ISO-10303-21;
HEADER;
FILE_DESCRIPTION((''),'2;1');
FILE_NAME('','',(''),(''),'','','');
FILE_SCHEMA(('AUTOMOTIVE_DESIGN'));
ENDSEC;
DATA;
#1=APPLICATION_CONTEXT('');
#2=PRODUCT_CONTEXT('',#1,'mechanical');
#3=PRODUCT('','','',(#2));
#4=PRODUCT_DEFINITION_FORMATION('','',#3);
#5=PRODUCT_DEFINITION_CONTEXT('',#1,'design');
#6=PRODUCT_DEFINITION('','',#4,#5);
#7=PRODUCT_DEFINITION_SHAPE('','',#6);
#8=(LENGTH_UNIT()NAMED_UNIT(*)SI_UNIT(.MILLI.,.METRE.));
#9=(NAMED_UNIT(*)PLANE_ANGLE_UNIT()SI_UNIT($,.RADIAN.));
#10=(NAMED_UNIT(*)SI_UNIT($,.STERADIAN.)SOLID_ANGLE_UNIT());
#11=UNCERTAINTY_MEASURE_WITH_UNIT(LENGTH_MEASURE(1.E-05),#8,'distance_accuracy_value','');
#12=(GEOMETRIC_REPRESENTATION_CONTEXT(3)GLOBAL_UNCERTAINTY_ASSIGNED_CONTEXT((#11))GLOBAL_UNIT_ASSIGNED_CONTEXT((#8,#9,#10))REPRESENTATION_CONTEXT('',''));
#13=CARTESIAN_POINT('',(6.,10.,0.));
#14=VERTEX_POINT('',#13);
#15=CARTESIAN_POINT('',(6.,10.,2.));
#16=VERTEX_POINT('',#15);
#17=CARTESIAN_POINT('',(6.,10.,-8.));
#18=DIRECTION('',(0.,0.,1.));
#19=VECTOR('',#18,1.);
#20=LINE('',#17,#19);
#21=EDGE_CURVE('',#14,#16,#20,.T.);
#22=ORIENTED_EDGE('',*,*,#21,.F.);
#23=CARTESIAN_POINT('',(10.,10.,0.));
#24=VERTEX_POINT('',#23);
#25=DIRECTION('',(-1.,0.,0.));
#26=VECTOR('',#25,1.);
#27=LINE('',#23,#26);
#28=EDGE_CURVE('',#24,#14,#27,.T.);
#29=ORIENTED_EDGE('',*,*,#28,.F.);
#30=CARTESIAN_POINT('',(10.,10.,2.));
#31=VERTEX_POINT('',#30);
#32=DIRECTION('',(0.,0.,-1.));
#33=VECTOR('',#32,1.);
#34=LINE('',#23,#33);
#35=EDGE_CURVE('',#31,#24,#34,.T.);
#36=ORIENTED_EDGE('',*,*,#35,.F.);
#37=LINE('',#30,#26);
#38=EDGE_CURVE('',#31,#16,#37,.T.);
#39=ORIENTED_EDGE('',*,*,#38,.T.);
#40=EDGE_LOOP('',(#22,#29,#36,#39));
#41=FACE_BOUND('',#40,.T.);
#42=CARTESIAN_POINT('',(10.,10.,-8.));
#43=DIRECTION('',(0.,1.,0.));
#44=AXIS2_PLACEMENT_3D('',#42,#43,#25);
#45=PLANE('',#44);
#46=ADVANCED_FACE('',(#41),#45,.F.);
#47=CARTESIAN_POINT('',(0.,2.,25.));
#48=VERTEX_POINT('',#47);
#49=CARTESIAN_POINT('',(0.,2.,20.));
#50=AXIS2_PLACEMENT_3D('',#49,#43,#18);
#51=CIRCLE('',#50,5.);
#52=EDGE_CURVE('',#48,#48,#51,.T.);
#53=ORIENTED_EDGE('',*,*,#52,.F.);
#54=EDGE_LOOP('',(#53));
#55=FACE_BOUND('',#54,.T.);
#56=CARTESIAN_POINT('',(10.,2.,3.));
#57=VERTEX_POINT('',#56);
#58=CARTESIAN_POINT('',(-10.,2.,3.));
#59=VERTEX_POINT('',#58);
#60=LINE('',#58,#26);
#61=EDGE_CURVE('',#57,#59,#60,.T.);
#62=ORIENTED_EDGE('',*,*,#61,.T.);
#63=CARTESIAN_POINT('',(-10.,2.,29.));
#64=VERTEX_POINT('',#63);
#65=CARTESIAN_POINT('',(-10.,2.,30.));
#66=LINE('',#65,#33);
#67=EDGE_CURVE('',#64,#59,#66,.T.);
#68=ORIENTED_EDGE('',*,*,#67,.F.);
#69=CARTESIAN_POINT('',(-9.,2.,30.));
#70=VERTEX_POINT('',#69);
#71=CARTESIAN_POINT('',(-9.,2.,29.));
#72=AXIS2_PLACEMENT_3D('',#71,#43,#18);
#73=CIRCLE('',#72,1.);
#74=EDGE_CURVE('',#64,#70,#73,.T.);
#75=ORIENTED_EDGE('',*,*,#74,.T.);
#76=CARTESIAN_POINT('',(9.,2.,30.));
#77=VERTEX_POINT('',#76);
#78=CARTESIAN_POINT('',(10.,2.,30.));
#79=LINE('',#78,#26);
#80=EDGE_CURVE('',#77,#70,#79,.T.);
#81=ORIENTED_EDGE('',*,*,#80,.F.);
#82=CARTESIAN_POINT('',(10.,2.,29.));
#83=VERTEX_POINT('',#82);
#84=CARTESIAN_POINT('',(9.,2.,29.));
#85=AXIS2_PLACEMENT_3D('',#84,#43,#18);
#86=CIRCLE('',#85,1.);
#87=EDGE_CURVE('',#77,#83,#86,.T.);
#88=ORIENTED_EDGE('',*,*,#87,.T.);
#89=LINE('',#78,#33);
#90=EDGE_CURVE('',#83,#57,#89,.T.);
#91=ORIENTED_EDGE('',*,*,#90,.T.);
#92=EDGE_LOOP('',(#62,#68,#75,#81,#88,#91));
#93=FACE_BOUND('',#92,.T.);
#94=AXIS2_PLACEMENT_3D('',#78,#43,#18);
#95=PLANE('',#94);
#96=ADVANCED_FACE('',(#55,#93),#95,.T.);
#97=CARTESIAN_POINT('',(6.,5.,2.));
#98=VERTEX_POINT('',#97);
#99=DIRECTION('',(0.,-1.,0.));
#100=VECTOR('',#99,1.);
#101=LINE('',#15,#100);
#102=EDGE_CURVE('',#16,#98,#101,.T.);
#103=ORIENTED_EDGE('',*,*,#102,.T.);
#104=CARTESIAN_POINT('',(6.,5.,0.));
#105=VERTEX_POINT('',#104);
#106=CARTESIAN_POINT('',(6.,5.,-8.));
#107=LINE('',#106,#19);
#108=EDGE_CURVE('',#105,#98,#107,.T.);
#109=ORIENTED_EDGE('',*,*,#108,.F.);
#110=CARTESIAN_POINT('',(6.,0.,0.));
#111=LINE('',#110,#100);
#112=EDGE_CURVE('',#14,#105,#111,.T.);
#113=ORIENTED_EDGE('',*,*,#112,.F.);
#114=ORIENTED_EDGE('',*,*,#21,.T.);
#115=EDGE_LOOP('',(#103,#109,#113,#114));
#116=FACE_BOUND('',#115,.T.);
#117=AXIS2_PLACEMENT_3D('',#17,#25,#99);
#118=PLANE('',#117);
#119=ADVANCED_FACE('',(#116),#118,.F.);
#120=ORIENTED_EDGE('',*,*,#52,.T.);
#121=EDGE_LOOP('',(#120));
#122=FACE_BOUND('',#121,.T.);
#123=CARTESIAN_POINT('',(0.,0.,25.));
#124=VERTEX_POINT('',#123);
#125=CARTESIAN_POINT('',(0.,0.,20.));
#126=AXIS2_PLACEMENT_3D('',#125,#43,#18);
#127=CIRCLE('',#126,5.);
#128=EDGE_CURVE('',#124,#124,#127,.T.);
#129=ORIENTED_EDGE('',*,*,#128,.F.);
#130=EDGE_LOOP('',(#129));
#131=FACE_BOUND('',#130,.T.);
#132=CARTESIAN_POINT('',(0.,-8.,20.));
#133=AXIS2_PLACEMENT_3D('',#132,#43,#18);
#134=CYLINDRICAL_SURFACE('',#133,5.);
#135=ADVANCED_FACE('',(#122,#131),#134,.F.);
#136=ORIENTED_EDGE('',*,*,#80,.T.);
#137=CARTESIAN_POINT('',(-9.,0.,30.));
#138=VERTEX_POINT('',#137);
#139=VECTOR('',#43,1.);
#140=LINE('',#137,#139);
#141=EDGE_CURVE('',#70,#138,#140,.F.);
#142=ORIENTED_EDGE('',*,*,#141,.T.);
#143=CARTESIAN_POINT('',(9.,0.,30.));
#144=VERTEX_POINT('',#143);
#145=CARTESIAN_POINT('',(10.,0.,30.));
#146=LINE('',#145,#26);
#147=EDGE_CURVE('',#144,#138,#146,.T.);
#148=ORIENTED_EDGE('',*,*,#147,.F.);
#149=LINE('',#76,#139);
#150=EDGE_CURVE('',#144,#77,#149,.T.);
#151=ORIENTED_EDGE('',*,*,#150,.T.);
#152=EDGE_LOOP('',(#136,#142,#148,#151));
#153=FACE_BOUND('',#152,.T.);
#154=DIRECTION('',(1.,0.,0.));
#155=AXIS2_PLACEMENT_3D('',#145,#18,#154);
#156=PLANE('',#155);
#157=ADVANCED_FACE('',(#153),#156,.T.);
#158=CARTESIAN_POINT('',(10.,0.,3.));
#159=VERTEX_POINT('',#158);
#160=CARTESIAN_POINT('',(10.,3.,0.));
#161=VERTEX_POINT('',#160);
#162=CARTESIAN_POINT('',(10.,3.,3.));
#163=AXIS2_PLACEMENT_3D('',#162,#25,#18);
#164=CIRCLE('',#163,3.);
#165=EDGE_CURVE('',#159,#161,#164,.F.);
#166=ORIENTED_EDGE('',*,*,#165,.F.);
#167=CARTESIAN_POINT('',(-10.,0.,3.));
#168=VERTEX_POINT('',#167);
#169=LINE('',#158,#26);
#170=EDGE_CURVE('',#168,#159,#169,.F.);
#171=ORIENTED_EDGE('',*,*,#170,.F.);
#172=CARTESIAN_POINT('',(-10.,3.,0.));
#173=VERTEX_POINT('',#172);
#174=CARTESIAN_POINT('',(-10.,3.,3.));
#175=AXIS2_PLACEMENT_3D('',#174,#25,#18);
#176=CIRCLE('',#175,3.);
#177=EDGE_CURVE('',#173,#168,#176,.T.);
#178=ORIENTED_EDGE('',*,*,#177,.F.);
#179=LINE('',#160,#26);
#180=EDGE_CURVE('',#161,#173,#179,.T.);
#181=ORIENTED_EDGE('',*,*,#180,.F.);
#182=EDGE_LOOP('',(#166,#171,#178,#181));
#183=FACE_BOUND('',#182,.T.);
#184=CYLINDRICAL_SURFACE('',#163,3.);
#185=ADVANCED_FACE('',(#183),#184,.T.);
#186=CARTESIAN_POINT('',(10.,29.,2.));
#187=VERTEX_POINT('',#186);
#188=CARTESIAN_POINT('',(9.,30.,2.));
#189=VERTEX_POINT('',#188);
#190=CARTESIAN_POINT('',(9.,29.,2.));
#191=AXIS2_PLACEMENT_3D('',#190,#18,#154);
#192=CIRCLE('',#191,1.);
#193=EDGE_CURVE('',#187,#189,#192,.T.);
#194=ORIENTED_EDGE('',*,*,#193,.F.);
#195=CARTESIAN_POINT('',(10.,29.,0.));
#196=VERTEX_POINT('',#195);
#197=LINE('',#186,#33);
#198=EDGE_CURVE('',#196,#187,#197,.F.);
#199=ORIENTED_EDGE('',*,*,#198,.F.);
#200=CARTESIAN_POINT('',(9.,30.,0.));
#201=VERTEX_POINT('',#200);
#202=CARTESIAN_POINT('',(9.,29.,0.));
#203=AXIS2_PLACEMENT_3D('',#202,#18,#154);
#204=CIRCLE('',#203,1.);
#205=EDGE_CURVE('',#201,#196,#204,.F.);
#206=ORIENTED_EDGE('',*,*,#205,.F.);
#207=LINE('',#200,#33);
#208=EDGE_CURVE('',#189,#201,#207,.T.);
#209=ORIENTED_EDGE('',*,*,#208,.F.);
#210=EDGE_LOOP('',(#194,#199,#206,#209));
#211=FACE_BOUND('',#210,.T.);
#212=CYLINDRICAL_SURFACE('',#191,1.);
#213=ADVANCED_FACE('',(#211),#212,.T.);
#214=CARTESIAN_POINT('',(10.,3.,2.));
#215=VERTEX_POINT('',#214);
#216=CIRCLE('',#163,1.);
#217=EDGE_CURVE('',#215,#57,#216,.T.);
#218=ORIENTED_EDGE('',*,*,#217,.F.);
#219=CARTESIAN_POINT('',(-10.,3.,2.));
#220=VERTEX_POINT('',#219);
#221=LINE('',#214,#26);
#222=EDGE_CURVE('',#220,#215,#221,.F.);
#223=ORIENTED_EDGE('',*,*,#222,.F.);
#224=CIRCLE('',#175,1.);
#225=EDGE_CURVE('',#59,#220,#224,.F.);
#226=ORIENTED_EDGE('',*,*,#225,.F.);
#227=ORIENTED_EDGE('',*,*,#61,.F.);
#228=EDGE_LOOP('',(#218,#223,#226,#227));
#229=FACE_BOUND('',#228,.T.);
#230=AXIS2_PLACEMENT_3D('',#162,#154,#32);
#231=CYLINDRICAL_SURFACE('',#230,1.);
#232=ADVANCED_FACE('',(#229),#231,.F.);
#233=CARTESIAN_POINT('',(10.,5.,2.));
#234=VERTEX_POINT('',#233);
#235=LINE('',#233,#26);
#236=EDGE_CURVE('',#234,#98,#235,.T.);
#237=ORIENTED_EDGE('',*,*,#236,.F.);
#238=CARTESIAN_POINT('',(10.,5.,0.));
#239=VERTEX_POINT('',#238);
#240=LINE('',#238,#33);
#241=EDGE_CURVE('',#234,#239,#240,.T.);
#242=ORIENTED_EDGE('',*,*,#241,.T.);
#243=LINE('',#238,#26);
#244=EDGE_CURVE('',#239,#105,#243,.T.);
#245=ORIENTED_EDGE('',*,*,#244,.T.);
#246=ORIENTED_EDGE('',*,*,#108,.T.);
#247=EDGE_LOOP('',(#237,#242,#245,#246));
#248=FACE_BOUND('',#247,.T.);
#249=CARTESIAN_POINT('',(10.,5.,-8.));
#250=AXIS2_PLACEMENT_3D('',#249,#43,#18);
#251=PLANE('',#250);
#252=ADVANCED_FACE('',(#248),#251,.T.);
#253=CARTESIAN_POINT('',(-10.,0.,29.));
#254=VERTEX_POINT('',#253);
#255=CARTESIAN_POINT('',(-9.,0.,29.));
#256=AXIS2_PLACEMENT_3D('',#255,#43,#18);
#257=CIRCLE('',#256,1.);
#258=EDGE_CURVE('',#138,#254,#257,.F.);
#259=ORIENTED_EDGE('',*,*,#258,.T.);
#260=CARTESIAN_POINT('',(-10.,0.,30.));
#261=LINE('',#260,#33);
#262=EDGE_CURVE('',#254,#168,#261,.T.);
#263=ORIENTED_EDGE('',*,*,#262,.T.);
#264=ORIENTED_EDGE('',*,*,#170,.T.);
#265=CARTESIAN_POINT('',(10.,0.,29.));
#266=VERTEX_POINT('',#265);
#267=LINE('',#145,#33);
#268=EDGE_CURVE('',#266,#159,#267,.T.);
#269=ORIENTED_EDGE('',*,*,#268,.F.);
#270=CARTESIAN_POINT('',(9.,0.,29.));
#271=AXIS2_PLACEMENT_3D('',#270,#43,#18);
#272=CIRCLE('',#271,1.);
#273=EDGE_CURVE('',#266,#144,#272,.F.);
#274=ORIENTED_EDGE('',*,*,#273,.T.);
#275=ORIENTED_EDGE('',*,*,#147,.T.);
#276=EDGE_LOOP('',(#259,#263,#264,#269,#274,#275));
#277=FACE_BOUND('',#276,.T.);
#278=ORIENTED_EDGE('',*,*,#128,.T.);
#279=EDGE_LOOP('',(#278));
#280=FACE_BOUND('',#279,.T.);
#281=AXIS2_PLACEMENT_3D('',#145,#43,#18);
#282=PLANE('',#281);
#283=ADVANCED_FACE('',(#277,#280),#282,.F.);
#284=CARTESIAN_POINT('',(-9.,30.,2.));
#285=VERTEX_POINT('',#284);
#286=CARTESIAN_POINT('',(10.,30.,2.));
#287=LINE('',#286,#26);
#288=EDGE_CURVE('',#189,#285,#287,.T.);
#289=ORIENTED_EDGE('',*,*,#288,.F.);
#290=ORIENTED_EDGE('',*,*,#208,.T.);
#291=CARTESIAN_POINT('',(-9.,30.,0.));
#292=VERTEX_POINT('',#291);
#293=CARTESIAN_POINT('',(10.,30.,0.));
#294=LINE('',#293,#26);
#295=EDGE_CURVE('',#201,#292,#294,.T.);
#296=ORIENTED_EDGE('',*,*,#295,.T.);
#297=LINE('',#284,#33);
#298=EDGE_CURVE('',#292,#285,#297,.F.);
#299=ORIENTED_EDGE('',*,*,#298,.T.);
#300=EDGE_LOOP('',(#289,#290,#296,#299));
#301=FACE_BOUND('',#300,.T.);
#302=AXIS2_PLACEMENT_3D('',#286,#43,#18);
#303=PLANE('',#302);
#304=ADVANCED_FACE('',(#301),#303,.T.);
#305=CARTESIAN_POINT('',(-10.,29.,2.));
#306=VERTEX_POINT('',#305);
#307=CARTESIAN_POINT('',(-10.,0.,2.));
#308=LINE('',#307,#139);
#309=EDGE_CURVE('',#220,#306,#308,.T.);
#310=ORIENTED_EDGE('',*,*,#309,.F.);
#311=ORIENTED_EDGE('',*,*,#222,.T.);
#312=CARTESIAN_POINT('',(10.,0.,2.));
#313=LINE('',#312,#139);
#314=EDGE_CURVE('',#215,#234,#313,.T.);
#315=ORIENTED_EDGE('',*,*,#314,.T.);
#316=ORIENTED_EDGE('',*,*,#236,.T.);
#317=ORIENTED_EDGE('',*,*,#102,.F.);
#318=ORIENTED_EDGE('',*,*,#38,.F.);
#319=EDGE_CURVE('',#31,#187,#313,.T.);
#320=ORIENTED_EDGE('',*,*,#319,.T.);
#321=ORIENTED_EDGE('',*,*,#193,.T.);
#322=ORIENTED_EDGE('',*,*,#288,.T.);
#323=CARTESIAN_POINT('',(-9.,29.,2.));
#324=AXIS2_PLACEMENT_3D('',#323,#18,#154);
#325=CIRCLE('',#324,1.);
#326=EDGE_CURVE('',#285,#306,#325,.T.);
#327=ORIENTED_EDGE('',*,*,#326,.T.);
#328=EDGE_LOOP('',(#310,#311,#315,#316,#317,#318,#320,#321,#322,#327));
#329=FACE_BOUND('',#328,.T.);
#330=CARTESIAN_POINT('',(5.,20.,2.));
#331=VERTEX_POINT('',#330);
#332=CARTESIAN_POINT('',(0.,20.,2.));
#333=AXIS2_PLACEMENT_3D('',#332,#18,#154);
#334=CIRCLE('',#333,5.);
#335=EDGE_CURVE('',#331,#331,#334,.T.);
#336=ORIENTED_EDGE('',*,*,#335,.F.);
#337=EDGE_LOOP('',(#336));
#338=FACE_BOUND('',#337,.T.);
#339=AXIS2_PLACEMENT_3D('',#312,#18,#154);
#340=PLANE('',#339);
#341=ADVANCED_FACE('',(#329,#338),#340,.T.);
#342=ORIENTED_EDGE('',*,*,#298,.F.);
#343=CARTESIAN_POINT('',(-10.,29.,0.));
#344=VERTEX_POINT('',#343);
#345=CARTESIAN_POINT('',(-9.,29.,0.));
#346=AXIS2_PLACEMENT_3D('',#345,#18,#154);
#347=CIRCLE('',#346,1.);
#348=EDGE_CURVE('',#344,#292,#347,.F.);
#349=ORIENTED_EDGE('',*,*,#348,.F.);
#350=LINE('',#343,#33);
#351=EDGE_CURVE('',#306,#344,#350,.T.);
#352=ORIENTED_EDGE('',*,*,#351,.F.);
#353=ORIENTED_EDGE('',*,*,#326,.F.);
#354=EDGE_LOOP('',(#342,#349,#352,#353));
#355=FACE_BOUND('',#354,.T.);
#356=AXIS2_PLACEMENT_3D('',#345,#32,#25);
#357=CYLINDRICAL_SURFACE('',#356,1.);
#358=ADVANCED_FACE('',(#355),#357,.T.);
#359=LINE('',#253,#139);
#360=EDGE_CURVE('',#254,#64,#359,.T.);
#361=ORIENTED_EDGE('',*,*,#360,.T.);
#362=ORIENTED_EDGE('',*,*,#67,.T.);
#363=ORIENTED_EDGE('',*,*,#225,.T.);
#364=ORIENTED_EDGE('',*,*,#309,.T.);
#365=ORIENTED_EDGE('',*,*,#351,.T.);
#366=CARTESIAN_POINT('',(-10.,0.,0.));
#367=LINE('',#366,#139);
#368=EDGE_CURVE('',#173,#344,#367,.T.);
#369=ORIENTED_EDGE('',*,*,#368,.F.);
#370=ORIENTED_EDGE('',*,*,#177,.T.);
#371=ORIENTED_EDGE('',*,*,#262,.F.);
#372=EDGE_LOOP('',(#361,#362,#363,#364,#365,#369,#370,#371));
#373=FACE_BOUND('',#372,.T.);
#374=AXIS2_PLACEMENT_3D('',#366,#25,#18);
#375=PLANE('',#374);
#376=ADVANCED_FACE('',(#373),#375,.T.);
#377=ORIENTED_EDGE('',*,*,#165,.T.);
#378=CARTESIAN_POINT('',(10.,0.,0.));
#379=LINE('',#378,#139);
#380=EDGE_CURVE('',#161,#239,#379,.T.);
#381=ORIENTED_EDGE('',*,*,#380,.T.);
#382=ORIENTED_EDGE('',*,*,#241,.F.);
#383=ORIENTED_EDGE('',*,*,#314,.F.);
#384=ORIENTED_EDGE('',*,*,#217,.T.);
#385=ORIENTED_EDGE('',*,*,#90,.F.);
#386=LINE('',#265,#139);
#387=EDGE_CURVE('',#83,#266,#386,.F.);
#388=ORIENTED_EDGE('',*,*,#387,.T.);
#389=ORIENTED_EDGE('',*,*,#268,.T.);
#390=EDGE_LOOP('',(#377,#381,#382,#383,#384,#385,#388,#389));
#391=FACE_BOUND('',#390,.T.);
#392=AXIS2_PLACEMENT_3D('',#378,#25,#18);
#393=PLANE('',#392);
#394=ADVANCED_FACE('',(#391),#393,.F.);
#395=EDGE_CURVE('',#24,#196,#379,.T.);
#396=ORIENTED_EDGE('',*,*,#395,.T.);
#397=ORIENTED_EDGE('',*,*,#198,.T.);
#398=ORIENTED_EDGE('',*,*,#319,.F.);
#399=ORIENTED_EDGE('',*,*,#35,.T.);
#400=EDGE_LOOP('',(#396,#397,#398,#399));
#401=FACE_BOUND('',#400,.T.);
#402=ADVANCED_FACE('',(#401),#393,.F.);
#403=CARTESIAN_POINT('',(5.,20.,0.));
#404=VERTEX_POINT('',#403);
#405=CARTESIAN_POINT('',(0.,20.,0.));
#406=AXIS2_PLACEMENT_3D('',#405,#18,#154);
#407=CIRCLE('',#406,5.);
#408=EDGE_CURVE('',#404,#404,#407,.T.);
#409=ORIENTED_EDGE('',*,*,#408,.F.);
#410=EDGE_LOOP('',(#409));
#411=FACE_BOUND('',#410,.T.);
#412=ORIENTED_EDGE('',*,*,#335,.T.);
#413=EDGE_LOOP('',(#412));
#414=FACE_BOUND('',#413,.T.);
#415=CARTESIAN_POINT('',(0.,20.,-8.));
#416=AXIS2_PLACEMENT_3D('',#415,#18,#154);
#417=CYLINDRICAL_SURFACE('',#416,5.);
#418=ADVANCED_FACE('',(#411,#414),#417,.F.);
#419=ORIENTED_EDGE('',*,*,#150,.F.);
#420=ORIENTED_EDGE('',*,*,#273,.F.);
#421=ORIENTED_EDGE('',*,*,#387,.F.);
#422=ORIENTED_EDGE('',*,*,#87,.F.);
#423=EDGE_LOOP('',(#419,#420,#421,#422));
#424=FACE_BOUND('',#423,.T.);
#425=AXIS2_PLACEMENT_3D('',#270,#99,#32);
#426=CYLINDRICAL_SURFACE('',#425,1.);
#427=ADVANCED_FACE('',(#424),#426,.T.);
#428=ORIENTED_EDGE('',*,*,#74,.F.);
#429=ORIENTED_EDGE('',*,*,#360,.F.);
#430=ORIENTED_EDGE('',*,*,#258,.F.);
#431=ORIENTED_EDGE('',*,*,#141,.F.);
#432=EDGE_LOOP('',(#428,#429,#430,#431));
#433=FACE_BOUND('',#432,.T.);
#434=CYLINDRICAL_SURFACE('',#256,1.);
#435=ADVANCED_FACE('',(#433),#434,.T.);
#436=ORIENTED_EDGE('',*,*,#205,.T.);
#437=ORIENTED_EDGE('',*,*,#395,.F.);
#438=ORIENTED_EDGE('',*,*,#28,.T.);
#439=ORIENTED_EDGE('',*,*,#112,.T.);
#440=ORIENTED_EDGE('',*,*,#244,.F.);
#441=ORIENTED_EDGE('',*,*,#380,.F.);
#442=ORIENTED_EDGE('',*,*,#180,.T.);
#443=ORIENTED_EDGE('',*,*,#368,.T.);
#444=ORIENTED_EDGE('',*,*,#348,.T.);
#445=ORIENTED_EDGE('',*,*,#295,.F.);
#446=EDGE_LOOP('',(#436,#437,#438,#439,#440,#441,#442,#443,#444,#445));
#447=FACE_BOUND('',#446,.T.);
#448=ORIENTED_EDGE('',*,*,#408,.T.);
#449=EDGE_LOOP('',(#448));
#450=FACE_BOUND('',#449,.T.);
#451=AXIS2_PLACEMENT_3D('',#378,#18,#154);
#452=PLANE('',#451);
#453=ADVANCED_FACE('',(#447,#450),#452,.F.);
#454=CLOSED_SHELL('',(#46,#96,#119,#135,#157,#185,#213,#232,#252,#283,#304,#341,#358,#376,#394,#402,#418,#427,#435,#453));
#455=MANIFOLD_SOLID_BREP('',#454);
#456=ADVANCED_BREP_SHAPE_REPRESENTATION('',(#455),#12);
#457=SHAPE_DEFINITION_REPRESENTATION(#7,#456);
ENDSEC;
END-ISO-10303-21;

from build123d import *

# Parameters (mm, degrees)
EXTRUDE_THIN1_DEPTH = 10
SKETCH2_W           = 4
SKETCH2_H           = 5
CUT_EXTRUDE1_DEPTH  = 10
FILLET1_R           = 3
FILLET2_R           = 1
SKETCH3_R           = 5
CUT_EXTRUDE2_DEPTH  = 10
SKETCH4_R           = 5
CUT_EXTRUDE3_DEPTH  = 10
FILLET3_R           = 1


with BuildPart() as part:
    # Sketch1 → Extrude-Thin1 (new body, symmetric)
    with BuildSketch(Plane(origin=(0, 0, 0), x_dir=(0, 0, -1), z_dir=(1, 0, 0))):
        Polygon((-30, 0), (0, 0), (0, 30), (-2, 30), (-2, 2), (-30, 2), align=None)
    extrude(amount=EXTRUDE_THIN1_DEPTH, both=True)

    # Sketch2 → Cut-Extrude1 (cut)
    with BuildSketch(Plane.XY.offset(2)):
        with Locations((8, 7.5)):
            Rectangle(SKETCH2_W, SKETCH2_H)
    extrude(amount=-CUT_EXTRUDE1_DEPTH, mode=Mode.SUBTRACT)

    # Fillet1
    fillet1_edges = [part.edges().sort_by_distance(p)[0] for p in [
        (0, 0, 0),
    ]]
    fillet(fillet1_edges, radius=FILLET1_R)

    # Fillet2
    fillet2_edges = [part.edges().sort_by_distance(p)[0] for p in [
        (0, 2, 2),
    ]]
    fillet(fillet2_edges, radius=FILLET2_R)

    # Sketch3 → Cut-Extrude2 (cut)
    with BuildSketch(Plane.XY.offset(2)):
        with Locations((0, 20)):
            Circle(SKETCH3_R)
    extrude(amount=-CUT_EXTRUDE2_DEPTH, mode=Mode.SUBTRACT)

    # Sketch4 → Cut-Extrude3 (cut)
    with BuildSketch(Plane(origin=(0, 2, 0), x_dir=(1, 0, 0), z_dir=(0, 1, 0))):
        with Locations((0, -20)):
            Circle(SKETCH4_R)
    extrude(amount=-CUT_EXTRUDE3_DEPTH, mode=Mode.SUBTRACT)

    # Fillet3
    fillet3_edges = [part.edges().sort_by_distance(p)[0] for p in [
        (10, 1, 30),
        (-10, 1, 30),
        (-10, 30, 1),
        (10, 30, 1),
    ]]
    fillet(fillet3_edges, radius=FILLET3_R)


solid = part.part
